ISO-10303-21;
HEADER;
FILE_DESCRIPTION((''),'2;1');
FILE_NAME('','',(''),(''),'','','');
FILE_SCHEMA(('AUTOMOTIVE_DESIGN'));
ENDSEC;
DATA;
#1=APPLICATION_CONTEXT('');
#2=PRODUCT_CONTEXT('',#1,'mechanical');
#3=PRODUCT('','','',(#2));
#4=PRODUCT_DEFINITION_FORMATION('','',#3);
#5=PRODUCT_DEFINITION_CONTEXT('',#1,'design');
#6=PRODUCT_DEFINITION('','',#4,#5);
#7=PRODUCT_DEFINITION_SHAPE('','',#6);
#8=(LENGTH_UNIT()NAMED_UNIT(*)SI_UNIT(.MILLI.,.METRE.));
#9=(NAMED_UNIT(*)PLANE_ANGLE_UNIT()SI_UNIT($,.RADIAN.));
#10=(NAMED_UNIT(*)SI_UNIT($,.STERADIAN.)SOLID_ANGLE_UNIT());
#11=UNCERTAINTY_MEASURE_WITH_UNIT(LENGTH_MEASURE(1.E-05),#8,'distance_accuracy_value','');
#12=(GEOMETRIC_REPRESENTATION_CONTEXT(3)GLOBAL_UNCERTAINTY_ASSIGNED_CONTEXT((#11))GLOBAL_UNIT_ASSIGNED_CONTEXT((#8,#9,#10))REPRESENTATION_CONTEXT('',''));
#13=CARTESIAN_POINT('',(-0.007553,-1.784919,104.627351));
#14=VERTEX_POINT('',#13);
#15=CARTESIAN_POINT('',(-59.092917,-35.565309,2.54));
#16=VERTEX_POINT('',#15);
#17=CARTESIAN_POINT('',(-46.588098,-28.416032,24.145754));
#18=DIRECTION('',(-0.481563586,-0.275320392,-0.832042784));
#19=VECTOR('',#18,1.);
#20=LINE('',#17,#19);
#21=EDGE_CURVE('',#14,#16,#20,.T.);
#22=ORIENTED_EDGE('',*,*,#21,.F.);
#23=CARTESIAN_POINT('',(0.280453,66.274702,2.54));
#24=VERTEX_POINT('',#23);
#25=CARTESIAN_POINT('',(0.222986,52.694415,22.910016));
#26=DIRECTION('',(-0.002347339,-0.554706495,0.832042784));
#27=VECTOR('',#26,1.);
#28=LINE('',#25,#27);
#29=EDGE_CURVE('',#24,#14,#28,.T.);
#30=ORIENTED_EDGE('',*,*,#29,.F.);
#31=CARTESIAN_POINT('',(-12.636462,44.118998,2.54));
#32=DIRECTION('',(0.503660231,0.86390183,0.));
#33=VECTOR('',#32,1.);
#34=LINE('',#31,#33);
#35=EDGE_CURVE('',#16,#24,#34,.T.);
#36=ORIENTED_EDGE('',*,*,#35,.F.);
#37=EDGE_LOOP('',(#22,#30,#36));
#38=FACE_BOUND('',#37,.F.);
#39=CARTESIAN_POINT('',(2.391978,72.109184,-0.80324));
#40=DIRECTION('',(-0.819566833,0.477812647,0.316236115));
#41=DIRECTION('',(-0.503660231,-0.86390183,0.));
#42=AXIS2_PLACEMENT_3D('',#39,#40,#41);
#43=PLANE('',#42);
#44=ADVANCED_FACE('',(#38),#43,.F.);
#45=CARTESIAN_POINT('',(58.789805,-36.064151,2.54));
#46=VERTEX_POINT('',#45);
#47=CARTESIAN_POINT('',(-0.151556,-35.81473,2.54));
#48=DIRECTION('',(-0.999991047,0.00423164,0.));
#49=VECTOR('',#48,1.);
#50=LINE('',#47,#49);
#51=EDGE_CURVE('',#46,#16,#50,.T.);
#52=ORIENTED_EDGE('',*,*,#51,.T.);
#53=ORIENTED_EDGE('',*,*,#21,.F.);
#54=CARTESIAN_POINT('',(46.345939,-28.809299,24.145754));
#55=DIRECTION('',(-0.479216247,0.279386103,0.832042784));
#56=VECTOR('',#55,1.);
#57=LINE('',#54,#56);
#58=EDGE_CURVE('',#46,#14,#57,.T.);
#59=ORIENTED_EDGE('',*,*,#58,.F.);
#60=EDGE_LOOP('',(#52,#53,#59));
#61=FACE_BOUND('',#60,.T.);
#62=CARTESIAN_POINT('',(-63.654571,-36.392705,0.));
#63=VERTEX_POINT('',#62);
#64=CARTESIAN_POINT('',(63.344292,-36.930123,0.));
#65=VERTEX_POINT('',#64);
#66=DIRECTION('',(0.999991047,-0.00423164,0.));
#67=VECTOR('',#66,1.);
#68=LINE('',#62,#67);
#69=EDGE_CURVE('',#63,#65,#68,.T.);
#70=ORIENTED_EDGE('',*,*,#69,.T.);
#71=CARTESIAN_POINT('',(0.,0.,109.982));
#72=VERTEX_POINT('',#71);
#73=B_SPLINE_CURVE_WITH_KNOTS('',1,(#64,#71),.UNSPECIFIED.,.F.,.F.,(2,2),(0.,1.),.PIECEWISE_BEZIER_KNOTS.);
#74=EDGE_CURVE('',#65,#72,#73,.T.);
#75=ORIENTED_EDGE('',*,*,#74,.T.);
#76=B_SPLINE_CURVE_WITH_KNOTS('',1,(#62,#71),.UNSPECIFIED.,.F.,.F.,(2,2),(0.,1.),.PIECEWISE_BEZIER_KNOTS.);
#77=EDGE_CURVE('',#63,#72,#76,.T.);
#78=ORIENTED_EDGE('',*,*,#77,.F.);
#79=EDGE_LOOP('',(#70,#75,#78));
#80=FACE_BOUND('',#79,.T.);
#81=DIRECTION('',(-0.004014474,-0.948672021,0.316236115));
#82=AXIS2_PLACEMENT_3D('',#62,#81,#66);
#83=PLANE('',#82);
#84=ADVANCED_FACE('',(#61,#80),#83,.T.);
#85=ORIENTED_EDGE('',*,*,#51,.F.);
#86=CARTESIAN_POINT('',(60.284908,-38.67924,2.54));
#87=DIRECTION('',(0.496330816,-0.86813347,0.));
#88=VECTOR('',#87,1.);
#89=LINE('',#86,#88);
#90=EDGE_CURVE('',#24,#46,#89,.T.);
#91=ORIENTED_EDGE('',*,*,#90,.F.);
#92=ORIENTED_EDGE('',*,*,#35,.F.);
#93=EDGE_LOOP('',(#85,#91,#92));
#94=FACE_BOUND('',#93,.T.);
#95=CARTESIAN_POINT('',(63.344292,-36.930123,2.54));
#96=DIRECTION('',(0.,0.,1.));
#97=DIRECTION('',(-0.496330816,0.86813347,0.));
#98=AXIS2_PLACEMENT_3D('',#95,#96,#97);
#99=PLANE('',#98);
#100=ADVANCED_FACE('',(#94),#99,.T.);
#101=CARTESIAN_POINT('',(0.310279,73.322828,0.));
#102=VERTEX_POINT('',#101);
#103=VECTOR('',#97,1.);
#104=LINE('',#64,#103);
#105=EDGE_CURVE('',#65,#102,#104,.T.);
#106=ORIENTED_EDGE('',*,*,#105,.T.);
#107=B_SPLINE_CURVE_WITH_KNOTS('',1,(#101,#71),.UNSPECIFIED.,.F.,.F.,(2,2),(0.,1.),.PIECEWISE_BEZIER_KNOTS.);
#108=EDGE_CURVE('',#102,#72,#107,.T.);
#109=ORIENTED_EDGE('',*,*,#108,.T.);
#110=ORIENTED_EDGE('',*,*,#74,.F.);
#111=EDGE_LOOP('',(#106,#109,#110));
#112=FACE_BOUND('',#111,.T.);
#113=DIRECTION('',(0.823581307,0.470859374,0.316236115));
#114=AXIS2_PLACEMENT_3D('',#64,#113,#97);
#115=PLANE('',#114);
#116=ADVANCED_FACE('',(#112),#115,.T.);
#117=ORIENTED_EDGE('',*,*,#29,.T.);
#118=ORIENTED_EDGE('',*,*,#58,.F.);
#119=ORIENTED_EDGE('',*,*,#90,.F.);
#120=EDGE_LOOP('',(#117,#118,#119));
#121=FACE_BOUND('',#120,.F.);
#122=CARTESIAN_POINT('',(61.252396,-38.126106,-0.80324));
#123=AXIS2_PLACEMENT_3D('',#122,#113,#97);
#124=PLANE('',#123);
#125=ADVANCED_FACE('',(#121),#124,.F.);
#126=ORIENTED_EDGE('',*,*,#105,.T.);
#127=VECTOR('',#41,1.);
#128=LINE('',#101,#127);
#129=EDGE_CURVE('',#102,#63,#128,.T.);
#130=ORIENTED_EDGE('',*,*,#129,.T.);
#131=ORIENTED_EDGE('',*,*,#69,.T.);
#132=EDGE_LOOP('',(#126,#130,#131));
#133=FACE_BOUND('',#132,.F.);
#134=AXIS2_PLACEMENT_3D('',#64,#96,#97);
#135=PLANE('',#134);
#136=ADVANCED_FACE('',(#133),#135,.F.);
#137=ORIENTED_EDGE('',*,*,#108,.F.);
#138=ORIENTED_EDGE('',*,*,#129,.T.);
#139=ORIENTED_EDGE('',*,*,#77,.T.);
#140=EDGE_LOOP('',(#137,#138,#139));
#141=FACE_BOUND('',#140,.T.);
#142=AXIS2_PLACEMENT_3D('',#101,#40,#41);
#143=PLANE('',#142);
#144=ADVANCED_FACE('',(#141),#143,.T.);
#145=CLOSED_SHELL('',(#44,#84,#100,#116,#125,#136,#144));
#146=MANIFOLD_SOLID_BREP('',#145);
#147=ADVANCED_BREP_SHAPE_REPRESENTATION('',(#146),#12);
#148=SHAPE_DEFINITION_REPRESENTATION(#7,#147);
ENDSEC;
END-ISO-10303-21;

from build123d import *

# Parameters (mm, degrees)
F3_T = -2.54


with BuildPart() as f2:
    # F0 (on Top) → F2 section 0
    with BuildSketch(Plane.XY, mode=Mode.PRIVATE) as f2_s0:
        Polygon((63.3442921748, -36.9301229649), (0.3102785651, 73.3228276906), (-63.6545707399, -36.3927047257), align=None)
    loft([f2_s0.sketch, Vertex(0, 0, 109.982)])

    # F3
    f3_openings = [f2.faces().sort_by_distance(p)[0] for p in [
        (-0.103426, -24.440943, 36.660667),
    ]]
    offset(amount=F3_T, openings=f3_openings, kind=Kind.INTERSECTION)


solid = f2.part
